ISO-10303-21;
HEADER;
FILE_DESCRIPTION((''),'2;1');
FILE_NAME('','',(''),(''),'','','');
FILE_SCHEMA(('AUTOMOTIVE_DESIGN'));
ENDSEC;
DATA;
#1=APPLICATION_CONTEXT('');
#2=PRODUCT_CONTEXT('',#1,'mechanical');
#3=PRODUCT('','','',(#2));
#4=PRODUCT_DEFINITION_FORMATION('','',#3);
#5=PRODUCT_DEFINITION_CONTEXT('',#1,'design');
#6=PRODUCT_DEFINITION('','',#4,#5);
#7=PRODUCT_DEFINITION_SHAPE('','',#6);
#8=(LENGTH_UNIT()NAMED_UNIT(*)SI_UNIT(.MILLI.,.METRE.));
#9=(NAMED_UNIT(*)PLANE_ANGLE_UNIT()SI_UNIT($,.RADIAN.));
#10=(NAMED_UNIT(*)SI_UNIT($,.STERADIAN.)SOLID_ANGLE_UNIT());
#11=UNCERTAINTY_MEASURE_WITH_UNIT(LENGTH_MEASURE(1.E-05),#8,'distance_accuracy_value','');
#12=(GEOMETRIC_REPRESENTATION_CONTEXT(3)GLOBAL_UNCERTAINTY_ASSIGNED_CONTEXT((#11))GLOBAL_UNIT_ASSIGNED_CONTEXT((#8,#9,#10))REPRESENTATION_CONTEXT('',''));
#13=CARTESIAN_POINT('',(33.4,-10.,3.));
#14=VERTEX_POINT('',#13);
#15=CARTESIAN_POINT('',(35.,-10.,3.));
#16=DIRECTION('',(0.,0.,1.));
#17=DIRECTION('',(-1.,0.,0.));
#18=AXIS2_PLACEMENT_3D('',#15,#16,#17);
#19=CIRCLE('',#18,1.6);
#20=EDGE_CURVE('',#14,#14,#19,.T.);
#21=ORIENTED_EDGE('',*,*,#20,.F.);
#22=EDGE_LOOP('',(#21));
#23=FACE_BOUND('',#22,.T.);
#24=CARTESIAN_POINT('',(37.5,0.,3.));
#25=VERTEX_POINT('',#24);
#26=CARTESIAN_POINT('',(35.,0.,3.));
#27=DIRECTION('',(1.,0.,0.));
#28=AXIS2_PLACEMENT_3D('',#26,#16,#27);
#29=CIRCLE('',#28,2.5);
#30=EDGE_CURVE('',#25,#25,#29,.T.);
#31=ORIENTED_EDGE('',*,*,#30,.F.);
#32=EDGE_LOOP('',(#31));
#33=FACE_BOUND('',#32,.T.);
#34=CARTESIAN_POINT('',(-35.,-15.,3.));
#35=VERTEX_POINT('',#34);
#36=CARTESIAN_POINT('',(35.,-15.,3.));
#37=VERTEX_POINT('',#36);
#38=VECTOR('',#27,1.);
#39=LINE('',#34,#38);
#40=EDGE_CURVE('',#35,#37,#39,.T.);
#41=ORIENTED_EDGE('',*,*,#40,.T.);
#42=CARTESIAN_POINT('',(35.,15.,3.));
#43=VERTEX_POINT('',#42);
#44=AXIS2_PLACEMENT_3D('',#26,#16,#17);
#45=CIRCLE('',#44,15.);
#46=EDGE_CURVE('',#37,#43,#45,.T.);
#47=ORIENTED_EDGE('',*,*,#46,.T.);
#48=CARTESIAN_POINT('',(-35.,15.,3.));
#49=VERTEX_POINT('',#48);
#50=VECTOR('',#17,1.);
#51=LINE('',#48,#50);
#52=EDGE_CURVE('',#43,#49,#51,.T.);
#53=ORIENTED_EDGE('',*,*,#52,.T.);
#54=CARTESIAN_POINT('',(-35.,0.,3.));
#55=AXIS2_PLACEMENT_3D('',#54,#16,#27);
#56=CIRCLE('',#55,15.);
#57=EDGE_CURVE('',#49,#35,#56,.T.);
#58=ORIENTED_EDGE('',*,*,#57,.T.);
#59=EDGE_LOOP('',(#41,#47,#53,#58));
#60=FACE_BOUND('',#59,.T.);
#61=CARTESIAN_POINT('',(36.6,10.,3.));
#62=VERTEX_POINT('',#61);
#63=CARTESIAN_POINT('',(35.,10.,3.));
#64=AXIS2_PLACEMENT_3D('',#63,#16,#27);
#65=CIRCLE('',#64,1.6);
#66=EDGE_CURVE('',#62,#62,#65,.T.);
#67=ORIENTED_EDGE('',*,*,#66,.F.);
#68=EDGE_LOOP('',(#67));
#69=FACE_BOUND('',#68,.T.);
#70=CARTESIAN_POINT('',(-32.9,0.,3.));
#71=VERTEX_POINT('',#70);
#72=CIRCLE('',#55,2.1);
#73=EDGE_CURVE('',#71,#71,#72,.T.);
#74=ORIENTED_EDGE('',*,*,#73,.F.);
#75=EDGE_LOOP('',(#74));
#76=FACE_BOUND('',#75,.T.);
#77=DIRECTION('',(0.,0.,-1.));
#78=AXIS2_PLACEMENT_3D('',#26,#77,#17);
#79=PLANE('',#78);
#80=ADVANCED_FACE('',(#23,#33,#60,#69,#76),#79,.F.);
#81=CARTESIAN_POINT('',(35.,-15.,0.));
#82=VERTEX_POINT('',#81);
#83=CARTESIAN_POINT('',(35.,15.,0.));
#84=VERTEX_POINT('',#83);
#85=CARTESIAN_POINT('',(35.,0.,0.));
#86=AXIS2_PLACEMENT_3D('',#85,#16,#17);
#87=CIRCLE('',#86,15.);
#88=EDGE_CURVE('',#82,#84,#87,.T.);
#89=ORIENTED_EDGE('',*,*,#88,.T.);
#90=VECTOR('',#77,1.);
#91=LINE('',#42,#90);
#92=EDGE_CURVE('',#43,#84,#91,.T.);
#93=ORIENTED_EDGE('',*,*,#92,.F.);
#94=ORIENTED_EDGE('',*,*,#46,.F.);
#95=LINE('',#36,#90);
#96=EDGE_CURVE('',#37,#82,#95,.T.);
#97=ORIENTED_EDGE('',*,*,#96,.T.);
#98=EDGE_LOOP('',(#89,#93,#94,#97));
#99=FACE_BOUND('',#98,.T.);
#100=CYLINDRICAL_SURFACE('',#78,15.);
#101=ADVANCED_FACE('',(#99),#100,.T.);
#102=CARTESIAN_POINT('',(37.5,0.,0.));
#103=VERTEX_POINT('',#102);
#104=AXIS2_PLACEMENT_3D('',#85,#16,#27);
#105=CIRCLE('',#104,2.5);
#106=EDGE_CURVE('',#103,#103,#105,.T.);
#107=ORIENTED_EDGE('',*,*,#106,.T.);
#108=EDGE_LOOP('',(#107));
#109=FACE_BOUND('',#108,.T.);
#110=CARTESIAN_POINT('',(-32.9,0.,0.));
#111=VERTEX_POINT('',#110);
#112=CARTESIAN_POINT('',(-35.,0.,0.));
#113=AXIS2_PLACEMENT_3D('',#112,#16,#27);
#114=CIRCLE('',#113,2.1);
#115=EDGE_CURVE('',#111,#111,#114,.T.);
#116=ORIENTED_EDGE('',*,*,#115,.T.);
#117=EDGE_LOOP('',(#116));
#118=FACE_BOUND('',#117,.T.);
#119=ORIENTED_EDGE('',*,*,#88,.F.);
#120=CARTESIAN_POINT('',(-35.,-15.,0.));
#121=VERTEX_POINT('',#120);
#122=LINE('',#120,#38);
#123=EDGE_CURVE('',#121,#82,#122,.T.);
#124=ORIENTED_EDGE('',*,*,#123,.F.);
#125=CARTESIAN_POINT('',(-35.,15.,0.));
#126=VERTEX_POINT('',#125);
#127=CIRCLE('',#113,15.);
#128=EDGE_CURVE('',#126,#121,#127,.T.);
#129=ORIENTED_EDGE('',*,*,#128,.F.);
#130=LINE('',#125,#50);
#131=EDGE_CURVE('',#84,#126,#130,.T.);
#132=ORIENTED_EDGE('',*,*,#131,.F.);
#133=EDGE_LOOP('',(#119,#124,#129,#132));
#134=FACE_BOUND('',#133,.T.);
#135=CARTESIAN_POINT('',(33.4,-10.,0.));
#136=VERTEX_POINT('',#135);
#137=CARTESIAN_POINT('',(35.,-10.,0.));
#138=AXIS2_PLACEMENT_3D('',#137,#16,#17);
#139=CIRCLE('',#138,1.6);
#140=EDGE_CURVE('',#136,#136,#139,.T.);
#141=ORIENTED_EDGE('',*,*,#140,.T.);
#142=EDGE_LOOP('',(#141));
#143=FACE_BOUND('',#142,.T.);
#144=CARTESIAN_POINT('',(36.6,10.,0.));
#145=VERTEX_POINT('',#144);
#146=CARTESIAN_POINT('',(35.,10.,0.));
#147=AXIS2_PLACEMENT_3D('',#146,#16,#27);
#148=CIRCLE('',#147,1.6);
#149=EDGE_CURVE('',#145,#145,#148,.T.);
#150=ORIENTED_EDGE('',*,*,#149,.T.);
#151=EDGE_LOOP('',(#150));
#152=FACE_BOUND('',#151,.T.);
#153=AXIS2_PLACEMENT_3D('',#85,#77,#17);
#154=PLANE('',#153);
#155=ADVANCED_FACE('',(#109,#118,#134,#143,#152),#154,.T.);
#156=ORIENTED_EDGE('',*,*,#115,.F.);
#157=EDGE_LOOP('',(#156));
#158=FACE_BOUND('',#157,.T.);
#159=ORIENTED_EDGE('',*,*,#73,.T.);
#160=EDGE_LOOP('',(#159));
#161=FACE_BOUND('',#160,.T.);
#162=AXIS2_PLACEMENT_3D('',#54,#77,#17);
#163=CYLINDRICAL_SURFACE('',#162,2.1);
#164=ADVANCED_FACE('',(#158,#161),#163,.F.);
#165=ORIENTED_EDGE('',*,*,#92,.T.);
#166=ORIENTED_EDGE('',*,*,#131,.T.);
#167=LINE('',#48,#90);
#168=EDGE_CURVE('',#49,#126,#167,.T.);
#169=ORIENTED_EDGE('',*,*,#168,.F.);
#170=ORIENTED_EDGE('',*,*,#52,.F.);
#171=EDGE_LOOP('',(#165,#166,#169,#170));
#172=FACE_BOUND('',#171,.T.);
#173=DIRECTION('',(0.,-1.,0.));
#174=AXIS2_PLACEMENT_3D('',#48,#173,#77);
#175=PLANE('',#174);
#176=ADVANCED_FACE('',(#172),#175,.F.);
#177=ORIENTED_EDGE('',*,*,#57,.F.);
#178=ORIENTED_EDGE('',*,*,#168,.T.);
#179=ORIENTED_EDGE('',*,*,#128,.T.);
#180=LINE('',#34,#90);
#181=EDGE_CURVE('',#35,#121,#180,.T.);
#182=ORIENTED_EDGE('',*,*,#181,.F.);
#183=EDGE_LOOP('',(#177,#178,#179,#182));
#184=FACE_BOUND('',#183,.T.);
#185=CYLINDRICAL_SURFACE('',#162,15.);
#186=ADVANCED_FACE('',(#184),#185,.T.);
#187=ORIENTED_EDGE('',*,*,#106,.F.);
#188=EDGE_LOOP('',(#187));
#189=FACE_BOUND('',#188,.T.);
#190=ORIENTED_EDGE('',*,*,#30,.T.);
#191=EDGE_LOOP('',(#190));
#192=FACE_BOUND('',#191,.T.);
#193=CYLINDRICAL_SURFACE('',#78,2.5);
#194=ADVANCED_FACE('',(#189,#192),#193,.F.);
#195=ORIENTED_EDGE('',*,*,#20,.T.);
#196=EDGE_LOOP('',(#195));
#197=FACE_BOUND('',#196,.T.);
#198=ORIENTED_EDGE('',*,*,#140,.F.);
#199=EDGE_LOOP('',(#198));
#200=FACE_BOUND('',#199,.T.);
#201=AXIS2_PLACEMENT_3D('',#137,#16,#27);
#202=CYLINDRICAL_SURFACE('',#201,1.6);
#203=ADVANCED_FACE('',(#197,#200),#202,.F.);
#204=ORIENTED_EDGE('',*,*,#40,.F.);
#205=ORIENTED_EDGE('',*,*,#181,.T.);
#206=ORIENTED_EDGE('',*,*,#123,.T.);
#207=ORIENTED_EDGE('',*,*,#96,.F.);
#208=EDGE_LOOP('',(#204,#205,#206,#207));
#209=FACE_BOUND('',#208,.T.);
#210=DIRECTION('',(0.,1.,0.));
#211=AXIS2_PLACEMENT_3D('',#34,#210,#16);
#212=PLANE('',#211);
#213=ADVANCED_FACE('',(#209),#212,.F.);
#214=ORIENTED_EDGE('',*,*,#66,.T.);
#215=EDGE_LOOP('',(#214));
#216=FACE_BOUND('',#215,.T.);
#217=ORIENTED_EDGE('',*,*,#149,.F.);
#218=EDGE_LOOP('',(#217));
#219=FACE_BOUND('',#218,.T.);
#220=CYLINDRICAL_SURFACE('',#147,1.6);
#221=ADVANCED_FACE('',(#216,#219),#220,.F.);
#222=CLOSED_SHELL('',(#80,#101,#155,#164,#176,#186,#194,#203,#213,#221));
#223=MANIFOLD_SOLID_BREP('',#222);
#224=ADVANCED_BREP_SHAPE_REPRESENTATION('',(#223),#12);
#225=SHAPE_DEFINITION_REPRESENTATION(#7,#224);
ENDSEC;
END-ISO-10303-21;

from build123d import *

# Parameters (mm, degrees)
ESQUISSE1_R             = 2.5
ESQUISSE1_R_2           = 2.1
BOSS_EXTRU_1_DEPTH      = 3
ESQUISSE2_R             = 1.6
ENL_V_MAT_EXTRU_1_DEPTH = 53.28766585


with BuildPart() as part:
    # Esquisse1 → Boss.-Extru.1 (new body)
    with BuildSketch(Plane.XY):
        with BuildLine():
            Line((-35, 15), (35, 15))
            ThreePointArc((35, 15), (50, 0), (35, -15))
            Line((35, -15), (-35, -15))
            ThreePointArc((-35, -15), (-50, 0), (-35, 15))
        make_face()
        with Locations((35, 0)):
            Circle(ESQUISSE1_R, mode=Mode.SUBTRACT)
        with Locations((-35, 0)):
            Circle(ESQUISSE1_R_2, mode=Mode.SUBTRACT)
    extrude(amount=BOSS_EXTRU_1_DEPTH)

    # Esquisse2 → Enlèv. mat.-Extru.1 (cut, through all)
    with BuildSketch(Plane.XY.offset(3)):
        with Locations((35, 10)):
            Circle(ESQUISSE2_R)
        with Locations(Location((35, -10, 0), (0, 0, 180))):
            Circle(ESQUISSE2_R)
    extrude(amount=-ENL_V_MAT_EXTRU_1_DEPTH, mode=Mode.SUBTRACT)


solid = part.part
